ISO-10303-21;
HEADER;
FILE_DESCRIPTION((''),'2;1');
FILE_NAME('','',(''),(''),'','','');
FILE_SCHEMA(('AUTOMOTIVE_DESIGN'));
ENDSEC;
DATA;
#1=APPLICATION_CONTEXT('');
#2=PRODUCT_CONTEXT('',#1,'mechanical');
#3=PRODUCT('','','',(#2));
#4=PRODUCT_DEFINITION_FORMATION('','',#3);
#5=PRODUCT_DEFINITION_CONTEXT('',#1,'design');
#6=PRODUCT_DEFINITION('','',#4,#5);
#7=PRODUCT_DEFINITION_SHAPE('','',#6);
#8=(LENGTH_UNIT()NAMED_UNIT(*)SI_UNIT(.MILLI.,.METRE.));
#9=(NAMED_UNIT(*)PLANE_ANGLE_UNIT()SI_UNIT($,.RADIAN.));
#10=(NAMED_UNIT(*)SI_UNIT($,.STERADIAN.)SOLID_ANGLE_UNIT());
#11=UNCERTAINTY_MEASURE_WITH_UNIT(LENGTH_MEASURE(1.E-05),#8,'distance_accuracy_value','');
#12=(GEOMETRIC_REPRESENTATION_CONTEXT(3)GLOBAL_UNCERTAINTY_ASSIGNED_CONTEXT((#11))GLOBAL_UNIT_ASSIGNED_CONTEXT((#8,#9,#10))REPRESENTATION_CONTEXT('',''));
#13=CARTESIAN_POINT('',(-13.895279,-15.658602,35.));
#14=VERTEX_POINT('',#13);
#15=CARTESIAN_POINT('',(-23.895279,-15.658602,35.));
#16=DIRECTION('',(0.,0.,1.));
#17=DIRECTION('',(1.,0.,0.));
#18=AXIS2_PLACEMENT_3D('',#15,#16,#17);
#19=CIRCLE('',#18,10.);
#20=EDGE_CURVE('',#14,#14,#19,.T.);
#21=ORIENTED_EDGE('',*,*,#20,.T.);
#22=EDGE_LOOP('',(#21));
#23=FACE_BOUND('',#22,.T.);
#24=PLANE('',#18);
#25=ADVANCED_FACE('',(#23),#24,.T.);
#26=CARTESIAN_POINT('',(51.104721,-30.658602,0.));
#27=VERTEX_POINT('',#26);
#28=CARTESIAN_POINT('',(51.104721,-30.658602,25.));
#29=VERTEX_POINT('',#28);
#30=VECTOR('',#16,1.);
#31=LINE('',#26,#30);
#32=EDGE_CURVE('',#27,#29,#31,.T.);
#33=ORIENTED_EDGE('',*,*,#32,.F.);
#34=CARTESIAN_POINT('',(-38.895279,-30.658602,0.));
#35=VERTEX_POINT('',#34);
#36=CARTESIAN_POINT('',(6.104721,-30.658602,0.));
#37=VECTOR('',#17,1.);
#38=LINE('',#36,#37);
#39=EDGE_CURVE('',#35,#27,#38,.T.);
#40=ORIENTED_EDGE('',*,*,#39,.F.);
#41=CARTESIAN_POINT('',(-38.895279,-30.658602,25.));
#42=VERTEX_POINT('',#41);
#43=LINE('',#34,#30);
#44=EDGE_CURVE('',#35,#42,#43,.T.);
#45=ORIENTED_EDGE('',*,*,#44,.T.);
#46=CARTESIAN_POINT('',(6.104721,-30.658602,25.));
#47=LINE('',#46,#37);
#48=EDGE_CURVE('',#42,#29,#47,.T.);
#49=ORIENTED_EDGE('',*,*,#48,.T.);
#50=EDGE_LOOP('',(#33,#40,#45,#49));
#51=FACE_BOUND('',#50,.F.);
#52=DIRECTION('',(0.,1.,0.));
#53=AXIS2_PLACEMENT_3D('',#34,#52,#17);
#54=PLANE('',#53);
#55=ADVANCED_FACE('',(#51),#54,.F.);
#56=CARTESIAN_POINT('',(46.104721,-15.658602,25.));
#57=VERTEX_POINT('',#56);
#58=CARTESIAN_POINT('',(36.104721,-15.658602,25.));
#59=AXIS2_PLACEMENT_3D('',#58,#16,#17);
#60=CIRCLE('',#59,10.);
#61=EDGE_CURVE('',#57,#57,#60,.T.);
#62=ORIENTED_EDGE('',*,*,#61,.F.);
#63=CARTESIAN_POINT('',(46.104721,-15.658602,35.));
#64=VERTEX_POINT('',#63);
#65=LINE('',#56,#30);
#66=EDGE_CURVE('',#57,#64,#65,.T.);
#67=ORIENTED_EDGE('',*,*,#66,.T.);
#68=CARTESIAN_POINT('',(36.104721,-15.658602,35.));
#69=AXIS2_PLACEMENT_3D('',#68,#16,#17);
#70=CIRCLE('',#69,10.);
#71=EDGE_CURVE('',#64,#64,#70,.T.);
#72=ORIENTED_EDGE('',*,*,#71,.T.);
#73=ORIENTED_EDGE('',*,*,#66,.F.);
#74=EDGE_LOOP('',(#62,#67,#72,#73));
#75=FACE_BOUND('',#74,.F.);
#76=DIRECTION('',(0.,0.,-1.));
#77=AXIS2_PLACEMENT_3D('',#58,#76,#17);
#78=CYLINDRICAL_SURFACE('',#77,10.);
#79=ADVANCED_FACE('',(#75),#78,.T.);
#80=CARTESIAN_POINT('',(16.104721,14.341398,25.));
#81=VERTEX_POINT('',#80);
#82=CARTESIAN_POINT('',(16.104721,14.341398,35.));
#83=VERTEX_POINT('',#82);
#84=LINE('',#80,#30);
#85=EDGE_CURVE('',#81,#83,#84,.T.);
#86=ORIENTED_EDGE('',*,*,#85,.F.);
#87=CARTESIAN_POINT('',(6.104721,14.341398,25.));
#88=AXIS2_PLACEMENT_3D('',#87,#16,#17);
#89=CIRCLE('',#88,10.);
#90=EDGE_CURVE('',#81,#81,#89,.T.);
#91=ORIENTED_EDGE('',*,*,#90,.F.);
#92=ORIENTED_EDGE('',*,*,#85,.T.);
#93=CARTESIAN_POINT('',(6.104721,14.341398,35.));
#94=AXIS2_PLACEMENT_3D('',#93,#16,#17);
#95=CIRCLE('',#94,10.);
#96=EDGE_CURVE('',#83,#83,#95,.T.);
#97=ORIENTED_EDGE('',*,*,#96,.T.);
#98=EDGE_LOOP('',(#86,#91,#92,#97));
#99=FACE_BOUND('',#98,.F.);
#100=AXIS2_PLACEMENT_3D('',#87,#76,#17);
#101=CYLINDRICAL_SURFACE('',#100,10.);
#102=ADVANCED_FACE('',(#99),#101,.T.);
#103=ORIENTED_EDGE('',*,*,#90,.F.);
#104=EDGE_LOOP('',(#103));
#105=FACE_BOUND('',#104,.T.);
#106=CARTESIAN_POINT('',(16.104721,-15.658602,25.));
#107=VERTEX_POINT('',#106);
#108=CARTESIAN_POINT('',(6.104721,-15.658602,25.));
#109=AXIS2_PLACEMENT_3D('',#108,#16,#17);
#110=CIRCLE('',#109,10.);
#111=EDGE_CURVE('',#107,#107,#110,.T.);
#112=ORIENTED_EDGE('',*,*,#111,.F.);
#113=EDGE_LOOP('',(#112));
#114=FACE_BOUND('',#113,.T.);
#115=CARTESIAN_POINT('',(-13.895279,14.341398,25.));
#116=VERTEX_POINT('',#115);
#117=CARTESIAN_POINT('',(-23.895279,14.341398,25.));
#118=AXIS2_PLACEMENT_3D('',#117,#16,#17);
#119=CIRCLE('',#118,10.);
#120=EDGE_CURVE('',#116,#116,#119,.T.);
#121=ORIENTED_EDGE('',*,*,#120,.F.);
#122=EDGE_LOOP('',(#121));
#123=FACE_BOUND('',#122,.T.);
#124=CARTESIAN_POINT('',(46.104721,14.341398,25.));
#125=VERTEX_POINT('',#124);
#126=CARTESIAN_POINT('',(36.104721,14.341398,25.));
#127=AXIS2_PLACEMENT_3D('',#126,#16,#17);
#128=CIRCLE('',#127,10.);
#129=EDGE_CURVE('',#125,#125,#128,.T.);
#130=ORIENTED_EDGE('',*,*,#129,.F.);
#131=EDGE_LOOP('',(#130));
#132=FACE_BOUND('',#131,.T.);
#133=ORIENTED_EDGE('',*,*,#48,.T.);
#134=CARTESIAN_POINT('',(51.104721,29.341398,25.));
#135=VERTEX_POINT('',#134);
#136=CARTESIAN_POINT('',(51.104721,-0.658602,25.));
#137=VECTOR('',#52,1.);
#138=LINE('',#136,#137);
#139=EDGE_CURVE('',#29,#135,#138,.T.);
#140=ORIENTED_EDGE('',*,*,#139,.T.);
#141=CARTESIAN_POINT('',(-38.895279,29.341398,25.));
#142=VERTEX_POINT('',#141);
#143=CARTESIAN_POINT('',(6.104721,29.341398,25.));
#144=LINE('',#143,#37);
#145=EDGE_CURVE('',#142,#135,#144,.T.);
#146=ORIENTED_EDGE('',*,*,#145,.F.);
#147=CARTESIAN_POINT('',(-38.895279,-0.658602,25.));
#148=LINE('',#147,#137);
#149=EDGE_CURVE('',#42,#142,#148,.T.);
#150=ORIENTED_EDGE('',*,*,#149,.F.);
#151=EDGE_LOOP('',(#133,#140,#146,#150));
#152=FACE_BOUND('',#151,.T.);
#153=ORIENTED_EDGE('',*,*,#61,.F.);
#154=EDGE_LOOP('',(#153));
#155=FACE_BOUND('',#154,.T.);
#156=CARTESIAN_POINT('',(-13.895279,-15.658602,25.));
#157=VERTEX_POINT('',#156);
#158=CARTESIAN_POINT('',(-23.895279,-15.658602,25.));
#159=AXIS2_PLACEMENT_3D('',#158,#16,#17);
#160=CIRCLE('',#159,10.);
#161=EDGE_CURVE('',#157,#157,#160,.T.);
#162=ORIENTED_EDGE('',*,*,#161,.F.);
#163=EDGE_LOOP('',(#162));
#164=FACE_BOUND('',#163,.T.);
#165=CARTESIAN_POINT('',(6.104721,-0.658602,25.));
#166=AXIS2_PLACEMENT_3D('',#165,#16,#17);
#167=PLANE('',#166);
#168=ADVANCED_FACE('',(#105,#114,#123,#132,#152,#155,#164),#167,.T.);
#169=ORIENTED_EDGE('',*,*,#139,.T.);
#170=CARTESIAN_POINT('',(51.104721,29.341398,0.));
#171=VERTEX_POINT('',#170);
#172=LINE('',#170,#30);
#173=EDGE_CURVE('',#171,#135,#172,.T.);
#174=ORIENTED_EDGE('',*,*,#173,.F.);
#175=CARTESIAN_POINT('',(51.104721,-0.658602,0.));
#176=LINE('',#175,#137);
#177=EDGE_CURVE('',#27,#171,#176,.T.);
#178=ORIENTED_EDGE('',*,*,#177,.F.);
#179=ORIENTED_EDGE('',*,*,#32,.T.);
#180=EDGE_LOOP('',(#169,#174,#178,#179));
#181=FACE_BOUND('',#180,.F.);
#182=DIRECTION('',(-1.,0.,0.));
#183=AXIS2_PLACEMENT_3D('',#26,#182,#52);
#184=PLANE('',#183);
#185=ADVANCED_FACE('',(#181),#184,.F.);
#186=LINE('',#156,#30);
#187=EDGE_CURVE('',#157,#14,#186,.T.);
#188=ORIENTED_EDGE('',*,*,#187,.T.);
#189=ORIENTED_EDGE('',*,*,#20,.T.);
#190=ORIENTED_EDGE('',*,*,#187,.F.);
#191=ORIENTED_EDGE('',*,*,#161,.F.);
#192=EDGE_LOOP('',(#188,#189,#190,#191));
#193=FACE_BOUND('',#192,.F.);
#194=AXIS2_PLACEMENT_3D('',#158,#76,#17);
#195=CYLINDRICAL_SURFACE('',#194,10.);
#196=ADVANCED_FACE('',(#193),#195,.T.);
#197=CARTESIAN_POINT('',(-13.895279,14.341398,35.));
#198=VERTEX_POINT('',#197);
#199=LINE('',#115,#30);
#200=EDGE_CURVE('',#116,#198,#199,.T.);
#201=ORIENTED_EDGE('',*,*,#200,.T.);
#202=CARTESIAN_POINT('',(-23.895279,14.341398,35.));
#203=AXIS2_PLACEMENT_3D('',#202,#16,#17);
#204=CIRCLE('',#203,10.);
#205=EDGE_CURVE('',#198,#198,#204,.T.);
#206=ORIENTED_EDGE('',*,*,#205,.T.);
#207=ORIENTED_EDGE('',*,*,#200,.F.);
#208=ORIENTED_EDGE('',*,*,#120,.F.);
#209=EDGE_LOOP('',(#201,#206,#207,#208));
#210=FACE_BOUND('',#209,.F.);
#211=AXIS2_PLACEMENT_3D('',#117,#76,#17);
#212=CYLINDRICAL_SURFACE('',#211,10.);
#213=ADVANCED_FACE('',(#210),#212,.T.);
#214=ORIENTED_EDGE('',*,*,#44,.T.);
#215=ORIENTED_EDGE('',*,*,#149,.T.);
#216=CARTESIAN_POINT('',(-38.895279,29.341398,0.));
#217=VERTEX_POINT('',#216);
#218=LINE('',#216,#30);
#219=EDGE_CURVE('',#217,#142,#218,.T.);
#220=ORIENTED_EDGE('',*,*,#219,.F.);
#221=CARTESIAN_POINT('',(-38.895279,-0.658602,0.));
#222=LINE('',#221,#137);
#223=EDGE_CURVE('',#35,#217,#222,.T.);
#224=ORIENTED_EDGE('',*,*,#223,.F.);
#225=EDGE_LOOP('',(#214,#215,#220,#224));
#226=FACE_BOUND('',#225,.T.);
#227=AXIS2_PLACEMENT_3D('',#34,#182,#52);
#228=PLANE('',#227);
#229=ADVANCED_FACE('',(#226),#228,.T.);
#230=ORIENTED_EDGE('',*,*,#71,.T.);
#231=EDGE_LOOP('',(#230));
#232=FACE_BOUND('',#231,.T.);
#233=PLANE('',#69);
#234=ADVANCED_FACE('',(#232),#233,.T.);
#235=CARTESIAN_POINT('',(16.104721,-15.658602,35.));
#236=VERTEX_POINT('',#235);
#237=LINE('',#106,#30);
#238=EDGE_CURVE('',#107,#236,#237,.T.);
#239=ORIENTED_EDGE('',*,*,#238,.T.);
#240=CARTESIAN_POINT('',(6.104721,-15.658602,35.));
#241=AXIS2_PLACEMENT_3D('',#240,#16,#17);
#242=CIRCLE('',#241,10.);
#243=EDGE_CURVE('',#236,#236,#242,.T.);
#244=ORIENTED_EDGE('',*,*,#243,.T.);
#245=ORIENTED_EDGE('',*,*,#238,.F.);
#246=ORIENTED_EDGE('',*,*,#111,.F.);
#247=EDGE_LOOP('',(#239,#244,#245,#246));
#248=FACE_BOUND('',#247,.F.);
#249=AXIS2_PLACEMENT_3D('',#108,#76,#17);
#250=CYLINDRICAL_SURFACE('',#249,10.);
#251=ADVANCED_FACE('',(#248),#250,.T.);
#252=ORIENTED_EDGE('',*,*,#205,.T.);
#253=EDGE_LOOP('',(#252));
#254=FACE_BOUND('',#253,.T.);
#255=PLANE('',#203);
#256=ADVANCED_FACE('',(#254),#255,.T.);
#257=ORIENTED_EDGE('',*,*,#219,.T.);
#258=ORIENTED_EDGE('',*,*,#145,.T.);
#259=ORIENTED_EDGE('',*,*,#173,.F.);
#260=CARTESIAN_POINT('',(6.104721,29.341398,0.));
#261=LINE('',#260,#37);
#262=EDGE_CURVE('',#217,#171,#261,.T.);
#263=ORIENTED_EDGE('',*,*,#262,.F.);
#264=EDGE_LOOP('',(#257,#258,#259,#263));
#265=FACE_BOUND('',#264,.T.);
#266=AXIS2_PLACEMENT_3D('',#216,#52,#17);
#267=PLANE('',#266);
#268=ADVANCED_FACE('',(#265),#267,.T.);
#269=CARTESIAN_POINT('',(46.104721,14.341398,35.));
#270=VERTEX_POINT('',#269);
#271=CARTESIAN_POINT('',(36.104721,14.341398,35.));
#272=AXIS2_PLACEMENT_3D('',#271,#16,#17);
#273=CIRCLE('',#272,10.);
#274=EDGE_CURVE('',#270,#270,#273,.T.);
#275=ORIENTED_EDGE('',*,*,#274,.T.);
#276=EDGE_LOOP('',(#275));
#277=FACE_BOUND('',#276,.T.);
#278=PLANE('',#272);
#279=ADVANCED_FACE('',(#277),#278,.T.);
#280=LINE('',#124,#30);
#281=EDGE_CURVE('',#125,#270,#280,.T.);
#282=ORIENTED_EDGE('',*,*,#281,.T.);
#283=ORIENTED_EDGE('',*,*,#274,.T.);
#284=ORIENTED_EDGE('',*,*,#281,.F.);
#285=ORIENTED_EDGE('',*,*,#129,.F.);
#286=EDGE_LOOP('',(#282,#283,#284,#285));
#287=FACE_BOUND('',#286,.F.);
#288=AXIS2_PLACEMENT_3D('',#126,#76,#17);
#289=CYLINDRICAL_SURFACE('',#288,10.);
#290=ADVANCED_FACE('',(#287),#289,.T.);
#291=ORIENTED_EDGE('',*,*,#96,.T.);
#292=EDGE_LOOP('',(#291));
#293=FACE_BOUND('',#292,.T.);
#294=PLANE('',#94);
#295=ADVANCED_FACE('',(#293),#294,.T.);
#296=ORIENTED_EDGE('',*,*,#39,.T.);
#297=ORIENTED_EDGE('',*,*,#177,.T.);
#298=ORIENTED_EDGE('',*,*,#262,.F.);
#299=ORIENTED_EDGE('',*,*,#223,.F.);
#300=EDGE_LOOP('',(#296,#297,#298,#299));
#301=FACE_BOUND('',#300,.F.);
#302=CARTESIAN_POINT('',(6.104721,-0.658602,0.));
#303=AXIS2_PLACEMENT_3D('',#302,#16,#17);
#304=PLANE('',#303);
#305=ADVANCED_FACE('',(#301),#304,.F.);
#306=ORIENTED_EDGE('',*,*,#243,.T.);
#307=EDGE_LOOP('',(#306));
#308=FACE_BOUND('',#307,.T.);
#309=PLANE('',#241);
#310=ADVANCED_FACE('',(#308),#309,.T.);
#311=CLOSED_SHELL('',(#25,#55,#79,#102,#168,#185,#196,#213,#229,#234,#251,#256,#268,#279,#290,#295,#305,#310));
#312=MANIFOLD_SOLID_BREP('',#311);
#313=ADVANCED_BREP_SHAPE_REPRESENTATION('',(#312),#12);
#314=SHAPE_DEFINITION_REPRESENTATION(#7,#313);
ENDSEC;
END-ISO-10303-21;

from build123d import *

# Parameters (mm, degrees)
F0_W     = 90
F0_H     = 60
F1_DEPTH = 25
F2_R     = 10
F3_DEPTH = 10


with BuildPart() as f1:
    # F0 (on Top) → F1 (new body)
    with BuildSketch(Plane.XY):
        with Locations((6.104721, -0.658602)):
            Rectangle(F0_W, F0_H)
    extrude(amount=F1_DEPTH)

    # F2 (on face) → F3 (join)
    with BuildSketch(Plane.XY.offset(25)):
        with Locations((-23.895279, 14.341398)):
            Circle(F2_R)
        with Locations((6.104721, 14.341398)):
            Circle(F2_R)
        with Locations((36.104721, 14.341398)):
            Circle(F2_R)
        with Locations((36.104721, -15.658602)):
            Circle(F2_R)
        with Locations((6.104721, -15.658602)):
            Circle(F2_R)
        with Locations((-23.895279, -15.658602)):
            Circle(F2_R)
    extrude(amount=F3_DEPTH)


solid = f1.part
